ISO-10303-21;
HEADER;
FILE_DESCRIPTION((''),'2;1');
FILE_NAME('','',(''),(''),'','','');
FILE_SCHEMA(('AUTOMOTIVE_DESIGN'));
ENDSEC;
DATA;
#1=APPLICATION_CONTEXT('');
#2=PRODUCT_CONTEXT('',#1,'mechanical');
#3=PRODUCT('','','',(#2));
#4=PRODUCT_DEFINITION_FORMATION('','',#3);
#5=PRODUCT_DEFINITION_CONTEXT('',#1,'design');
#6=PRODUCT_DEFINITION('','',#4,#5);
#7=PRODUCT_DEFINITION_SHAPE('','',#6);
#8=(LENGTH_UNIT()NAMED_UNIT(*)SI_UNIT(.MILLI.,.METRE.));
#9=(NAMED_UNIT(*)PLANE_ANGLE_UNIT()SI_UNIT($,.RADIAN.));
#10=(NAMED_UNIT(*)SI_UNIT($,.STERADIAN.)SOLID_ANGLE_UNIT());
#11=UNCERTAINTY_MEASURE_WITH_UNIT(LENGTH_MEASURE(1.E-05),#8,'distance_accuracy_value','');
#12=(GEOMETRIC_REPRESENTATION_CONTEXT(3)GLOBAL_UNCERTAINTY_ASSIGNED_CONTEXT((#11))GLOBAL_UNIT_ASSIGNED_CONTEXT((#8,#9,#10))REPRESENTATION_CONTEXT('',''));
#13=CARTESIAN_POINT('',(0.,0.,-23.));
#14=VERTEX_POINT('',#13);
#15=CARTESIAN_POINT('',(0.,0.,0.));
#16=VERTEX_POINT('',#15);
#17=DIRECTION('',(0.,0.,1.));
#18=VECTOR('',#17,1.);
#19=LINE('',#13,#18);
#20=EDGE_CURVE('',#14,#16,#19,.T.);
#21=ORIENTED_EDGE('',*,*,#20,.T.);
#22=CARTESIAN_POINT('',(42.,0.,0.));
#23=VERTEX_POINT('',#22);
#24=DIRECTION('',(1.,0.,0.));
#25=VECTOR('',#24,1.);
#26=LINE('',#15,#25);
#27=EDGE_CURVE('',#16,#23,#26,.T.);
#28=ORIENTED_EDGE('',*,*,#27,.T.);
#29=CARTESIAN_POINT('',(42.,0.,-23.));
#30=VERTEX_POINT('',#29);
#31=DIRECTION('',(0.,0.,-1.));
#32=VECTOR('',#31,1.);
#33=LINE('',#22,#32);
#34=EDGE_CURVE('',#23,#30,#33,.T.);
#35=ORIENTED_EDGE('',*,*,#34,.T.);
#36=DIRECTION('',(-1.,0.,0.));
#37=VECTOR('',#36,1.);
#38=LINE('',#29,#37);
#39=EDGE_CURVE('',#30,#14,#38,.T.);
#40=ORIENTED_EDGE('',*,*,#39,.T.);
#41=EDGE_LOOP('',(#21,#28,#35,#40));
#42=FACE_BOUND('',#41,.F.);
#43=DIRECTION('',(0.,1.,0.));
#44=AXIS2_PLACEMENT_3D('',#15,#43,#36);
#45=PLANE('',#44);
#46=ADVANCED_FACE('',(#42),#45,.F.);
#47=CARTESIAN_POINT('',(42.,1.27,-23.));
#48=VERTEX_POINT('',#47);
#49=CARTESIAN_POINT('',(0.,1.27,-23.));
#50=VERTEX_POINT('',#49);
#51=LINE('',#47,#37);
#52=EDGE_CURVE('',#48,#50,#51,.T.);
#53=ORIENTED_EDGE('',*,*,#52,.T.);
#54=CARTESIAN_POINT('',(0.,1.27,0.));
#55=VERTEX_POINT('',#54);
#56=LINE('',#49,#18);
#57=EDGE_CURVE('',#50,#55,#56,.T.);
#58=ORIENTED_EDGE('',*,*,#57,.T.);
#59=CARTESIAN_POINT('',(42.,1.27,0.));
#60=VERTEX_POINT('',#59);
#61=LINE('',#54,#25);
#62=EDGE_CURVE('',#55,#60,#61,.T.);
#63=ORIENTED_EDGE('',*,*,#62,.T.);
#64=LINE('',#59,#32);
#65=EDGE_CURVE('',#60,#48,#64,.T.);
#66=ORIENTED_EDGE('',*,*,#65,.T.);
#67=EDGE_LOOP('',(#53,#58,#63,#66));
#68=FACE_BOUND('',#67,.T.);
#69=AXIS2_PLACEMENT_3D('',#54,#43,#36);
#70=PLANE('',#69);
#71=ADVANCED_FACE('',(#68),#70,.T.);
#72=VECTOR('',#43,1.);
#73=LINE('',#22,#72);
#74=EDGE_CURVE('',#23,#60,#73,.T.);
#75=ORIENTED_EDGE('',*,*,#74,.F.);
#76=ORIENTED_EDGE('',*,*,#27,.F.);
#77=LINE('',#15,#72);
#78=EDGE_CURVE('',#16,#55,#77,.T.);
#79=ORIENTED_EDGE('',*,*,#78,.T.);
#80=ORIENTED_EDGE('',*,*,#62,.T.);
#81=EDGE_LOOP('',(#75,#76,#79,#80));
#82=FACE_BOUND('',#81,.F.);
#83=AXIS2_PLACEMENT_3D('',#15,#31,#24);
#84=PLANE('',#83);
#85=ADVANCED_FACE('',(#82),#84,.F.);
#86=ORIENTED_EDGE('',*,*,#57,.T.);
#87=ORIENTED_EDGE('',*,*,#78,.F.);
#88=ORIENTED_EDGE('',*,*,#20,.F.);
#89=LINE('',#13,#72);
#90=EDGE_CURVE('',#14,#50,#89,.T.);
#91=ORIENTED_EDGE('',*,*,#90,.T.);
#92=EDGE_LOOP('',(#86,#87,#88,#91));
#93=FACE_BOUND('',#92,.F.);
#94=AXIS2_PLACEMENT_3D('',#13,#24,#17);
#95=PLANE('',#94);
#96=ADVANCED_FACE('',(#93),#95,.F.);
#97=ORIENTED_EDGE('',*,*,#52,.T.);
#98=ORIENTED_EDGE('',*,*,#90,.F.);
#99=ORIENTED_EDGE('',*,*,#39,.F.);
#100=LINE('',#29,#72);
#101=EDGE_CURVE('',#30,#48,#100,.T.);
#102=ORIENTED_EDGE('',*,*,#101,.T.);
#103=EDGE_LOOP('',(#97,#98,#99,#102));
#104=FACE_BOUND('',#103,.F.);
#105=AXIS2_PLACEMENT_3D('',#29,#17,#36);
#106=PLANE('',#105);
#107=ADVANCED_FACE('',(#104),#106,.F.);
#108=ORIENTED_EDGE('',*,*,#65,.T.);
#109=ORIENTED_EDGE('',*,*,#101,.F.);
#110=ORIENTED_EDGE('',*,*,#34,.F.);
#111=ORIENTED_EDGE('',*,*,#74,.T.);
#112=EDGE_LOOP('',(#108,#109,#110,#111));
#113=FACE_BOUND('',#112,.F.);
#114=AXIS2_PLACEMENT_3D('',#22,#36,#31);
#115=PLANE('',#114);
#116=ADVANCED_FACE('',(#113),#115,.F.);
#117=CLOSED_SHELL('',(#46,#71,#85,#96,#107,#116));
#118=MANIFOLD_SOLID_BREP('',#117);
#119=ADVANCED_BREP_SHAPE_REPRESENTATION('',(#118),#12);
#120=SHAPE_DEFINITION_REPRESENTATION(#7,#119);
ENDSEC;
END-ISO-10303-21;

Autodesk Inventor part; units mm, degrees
ref_plane "YZ Plane" through (0, 0, 0) normal (1, 0, 0) x (0, 1, 0)
ref_plane "XZ Plane" through (0, 0, 0) normal (0, 1, 0) x (-1, 0, 0)
ref_plane "XY Plane" through (0, 0, 0) normal (0, 0, 1) x (1, 0, 0)
sketch "Sketch1" plane through (0, 0, 0) normal (0, 1, 0) x (-1, 0, 0)
  line L0 (0, 0) -> (-42, 0)
  line L1 (-42, 0) -> (-42, -23)
  line L2 (-42, -23) -> (0, -23)
  line L3 (0, -23) -> (0, 0)
  dimension "d0" = 42
  dimension "d1" = 23
extrude "Extrusion1" add sketch "Sketch1" along normal blind 1.27
properties part number "Solar Panel"
